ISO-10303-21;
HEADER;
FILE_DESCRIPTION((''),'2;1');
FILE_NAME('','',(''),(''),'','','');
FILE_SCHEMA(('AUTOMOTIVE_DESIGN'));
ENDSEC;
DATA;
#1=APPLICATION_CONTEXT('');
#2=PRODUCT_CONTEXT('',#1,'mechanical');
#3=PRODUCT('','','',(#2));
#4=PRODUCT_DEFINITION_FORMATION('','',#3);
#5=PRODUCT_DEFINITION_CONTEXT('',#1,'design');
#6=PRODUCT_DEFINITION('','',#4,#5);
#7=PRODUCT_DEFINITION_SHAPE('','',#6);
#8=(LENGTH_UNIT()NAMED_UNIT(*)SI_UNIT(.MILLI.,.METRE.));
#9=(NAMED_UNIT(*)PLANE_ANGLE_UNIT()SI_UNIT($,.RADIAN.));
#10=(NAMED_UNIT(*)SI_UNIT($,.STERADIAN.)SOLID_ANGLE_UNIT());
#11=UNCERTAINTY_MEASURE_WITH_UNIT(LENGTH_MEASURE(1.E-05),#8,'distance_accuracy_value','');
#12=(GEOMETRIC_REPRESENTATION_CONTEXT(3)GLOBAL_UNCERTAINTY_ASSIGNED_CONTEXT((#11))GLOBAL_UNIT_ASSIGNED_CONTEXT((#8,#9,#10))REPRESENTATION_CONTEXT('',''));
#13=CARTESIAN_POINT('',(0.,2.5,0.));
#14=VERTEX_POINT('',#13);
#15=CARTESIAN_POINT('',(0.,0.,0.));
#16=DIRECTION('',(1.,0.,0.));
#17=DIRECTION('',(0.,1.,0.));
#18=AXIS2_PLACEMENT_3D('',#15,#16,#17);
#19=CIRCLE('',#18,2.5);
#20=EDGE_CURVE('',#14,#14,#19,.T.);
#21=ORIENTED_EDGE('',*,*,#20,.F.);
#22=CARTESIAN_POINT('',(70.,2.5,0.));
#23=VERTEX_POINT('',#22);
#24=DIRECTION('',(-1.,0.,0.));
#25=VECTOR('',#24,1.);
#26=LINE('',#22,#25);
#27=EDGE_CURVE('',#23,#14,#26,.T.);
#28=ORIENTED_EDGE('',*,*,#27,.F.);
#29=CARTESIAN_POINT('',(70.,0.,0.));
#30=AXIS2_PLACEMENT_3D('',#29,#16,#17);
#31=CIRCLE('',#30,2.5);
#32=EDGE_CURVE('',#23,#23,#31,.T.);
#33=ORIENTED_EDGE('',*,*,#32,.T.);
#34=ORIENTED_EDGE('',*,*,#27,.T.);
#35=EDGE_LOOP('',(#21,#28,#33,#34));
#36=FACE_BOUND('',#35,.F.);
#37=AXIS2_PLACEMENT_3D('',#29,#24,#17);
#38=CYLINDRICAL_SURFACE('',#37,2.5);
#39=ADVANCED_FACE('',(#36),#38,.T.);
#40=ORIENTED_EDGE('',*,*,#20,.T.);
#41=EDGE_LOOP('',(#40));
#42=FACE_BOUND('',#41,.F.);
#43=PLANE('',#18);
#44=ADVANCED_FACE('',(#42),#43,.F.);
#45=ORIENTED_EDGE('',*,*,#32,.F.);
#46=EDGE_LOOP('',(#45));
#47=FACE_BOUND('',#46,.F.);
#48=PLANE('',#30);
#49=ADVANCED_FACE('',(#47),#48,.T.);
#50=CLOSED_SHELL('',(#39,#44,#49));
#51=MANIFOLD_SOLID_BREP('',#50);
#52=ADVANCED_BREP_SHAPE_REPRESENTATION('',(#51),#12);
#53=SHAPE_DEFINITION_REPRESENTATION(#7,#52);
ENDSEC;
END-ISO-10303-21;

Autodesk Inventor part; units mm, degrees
ref_plane "YZ Plane" through (0, 0, 0) normal (1, 0, 0) x (0, 1, 0)
ref_plane "XZ Plane" through (0, 0, 0) normal (0, 1, 0) x (-1, 0, 0)
ref_plane "XY Plane" through (0, 0, 0) normal (0, 0, 1) x (1, 0, 0)
sketch "Sketch1" plane through (0, 0, 0) normal (0, 0, 1) x (1, 0, 0)
  line L0 (0, 0) -> (70, 0)
  line L1 (70, 0) -> (70, 2.5)
  line L2 (70, 2.5) -> (0, 2.5)
  line L3 (0, 2.5) -> (0, 0)
  dimension "d0" = 70
  dimension "d1" = 2.5
revolve "Revolution1" add sketch "Sketch1" angle 360 about axis through (0, 0, 0) along (1, 0, 0)
properties part number "vezetőcsap"
